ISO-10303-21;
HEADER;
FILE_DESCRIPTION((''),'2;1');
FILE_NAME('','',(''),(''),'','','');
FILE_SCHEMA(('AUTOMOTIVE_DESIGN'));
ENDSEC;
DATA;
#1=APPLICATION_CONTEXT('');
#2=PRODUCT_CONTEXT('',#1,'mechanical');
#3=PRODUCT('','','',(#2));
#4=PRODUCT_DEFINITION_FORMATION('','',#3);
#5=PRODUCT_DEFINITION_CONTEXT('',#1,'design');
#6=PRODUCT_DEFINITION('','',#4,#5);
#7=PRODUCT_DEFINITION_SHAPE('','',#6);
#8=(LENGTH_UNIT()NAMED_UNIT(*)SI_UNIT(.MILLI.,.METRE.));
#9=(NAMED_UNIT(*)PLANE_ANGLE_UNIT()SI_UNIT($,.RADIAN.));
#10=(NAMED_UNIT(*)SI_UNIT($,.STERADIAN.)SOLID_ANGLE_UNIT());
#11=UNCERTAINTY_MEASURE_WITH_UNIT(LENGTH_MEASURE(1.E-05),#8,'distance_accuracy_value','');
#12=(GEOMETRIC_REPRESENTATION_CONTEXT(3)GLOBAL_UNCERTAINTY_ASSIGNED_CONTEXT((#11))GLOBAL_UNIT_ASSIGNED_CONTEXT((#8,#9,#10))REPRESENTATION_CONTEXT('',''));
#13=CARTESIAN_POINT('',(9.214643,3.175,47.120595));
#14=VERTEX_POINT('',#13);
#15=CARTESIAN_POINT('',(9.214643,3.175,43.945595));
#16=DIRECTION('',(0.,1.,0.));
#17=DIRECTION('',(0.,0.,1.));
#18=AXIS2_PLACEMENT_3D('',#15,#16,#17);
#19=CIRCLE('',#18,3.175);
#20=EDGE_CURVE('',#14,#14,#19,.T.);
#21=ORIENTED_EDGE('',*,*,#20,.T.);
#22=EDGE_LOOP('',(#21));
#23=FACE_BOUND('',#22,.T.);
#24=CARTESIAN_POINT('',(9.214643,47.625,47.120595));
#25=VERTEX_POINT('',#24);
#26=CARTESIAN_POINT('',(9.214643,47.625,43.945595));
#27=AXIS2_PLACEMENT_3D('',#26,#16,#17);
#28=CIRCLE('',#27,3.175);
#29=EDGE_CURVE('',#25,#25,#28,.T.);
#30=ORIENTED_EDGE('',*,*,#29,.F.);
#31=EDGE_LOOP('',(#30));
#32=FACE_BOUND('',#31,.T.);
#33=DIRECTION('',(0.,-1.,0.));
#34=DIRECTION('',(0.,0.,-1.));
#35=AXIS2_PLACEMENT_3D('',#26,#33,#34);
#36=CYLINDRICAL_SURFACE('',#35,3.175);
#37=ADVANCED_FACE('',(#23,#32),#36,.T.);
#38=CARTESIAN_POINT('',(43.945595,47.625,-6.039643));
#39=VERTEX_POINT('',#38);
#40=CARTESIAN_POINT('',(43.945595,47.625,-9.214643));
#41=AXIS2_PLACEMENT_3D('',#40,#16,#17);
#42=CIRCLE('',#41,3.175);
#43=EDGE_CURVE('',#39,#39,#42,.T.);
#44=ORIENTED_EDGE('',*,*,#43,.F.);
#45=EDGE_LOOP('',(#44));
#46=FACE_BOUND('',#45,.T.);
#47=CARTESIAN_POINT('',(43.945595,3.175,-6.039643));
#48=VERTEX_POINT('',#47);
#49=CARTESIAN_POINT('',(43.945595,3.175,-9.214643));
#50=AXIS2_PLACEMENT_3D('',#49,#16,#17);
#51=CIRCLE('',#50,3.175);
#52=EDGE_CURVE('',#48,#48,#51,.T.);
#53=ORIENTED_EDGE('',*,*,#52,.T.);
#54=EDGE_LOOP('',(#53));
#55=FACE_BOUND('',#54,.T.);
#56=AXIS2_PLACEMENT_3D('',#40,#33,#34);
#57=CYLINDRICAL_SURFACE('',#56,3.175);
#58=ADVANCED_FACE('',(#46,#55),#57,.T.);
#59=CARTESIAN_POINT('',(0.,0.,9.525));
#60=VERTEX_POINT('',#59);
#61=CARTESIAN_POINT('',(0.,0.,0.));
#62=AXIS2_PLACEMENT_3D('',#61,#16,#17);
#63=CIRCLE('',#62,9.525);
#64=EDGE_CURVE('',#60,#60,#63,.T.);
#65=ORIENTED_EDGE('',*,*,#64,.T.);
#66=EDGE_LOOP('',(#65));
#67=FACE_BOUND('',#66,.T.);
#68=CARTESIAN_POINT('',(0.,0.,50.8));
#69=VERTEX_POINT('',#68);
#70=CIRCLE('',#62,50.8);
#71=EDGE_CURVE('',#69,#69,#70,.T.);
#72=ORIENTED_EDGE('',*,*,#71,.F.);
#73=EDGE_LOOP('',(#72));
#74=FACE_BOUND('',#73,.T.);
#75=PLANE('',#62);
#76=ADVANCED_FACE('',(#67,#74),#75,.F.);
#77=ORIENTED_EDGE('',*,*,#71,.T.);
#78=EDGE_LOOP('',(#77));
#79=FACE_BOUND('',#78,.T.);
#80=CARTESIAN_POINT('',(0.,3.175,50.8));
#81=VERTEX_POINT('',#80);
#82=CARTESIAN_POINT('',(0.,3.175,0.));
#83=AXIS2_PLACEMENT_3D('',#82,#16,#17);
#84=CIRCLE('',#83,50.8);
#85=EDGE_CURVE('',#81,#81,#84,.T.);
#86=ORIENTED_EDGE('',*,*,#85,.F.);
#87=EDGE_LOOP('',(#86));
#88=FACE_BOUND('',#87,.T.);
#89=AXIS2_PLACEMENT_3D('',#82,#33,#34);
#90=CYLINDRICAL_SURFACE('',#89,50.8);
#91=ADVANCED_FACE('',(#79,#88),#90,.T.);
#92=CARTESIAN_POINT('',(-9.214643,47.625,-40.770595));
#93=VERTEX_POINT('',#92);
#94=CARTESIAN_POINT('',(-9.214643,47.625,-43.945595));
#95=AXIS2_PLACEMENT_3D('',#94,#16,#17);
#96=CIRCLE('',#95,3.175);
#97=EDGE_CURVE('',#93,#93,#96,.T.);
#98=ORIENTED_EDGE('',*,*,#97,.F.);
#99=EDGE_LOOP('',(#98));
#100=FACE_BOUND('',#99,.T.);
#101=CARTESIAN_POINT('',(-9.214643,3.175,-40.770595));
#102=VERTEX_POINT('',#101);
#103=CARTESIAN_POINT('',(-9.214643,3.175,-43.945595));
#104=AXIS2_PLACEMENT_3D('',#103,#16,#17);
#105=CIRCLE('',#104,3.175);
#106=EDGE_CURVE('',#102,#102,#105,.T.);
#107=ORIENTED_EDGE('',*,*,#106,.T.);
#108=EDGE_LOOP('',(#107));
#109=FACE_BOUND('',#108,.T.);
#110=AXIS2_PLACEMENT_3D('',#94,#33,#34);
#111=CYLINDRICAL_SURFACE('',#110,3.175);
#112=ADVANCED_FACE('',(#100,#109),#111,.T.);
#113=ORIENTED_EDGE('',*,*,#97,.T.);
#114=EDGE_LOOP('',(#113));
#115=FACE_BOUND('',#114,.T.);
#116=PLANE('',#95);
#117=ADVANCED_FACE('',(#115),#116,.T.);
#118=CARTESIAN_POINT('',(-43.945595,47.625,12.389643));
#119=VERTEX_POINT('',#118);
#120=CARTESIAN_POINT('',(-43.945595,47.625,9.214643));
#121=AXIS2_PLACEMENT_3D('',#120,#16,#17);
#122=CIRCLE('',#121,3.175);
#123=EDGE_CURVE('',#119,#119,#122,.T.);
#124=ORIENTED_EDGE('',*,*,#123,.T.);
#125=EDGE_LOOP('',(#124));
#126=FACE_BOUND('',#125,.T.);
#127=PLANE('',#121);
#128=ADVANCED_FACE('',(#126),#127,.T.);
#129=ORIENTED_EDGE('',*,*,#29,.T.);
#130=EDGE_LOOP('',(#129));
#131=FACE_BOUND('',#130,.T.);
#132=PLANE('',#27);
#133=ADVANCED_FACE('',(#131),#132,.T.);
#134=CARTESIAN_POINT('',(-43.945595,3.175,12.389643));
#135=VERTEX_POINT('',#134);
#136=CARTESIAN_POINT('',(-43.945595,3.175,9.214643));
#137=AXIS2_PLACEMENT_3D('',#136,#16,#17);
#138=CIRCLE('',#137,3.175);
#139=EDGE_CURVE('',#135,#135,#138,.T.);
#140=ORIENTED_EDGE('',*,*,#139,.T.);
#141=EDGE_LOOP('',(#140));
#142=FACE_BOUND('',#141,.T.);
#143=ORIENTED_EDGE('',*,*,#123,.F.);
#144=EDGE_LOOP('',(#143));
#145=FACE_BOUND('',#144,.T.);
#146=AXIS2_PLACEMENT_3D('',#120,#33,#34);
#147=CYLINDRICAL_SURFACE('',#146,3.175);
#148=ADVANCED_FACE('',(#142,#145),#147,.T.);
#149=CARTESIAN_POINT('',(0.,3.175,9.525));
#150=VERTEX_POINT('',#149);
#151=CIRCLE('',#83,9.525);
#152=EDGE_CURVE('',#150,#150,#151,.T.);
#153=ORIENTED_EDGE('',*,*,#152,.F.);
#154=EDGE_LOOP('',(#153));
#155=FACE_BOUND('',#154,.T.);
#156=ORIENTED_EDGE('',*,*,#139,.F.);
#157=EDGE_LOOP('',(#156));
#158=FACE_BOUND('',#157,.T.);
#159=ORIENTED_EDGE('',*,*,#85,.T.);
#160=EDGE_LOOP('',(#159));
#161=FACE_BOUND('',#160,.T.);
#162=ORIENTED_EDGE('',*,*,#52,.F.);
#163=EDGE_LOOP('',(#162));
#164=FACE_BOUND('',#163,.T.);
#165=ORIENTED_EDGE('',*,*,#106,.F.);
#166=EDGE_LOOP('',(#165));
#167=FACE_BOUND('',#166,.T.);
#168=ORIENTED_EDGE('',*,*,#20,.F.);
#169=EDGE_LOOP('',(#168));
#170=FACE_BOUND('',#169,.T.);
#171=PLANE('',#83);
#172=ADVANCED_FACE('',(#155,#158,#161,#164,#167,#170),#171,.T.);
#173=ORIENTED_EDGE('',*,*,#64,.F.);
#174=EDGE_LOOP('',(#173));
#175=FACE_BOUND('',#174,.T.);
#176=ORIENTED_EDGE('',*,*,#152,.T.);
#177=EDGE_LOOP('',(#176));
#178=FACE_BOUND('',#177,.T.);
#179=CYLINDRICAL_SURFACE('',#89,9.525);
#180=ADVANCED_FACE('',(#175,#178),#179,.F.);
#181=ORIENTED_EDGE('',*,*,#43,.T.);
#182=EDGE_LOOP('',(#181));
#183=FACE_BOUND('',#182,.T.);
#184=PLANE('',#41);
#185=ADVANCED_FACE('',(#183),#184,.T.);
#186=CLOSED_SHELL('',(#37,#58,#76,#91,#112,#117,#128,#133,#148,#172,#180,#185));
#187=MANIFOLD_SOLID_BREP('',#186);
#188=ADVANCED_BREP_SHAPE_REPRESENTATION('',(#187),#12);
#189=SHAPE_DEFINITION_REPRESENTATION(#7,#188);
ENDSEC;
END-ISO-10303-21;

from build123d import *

# Parameters (mm, degrees)
SKETCH1_R           = 50.8
SKETCH1_R_2         = 9.525
BOSS_EXTRUDE1_DEPTH = 3.175
SKETCH2_R           = 3.175
BOSS_EXTRUDE2_DEPTH = 44.45


with BuildPart() as part:
    # Sketch1 → Boss-Extrude1 (new body)
    with BuildSketch(Plane(origin=(0, 0, 0), x_dir=(1, 0, 0), z_dir=(0, 1, 0))):
        with Locations(Location((0, 0, 0), (0, 0, 270))):
            Circle(SKETCH1_R)
        with Locations(Location((0, 0, 0), (0, 0, 270))):
            Circle(SKETCH1_R_2, mode=Mode.SUBTRACT)
    extrude(amount=BOSS_EXTRUDE1_DEPTH)

    # Sketch2 → Boss-Extrude2 (add)
    with BuildSketch(Plane(origin=(0, 3.175, 0), x_dir=(1, 0, 0), z_dir=(0, 1, 0))):
        with Locations(Location((-9.214642662, 43.945595463, 0), (0, 0, 270))):
            Circle(SKETCH2_R)
        with Locations(Location((43.945595463, 9.214642662, 0), (0, 0, 270))):
            Circle(SKETCH2_R)
        with Locations(Location((9.214642662, -43.945595463, 0), (0, 0, 270))):
            Circle(SKETCH2_R)
        with Locations(Location((-43.945595463, -9.214642662, 0), (0, 0, 270))):
            Circle(SKETCH2_R)
    extrude(amount=BOSS_EXTRUDE2_DEPTH)


solid = part.part
